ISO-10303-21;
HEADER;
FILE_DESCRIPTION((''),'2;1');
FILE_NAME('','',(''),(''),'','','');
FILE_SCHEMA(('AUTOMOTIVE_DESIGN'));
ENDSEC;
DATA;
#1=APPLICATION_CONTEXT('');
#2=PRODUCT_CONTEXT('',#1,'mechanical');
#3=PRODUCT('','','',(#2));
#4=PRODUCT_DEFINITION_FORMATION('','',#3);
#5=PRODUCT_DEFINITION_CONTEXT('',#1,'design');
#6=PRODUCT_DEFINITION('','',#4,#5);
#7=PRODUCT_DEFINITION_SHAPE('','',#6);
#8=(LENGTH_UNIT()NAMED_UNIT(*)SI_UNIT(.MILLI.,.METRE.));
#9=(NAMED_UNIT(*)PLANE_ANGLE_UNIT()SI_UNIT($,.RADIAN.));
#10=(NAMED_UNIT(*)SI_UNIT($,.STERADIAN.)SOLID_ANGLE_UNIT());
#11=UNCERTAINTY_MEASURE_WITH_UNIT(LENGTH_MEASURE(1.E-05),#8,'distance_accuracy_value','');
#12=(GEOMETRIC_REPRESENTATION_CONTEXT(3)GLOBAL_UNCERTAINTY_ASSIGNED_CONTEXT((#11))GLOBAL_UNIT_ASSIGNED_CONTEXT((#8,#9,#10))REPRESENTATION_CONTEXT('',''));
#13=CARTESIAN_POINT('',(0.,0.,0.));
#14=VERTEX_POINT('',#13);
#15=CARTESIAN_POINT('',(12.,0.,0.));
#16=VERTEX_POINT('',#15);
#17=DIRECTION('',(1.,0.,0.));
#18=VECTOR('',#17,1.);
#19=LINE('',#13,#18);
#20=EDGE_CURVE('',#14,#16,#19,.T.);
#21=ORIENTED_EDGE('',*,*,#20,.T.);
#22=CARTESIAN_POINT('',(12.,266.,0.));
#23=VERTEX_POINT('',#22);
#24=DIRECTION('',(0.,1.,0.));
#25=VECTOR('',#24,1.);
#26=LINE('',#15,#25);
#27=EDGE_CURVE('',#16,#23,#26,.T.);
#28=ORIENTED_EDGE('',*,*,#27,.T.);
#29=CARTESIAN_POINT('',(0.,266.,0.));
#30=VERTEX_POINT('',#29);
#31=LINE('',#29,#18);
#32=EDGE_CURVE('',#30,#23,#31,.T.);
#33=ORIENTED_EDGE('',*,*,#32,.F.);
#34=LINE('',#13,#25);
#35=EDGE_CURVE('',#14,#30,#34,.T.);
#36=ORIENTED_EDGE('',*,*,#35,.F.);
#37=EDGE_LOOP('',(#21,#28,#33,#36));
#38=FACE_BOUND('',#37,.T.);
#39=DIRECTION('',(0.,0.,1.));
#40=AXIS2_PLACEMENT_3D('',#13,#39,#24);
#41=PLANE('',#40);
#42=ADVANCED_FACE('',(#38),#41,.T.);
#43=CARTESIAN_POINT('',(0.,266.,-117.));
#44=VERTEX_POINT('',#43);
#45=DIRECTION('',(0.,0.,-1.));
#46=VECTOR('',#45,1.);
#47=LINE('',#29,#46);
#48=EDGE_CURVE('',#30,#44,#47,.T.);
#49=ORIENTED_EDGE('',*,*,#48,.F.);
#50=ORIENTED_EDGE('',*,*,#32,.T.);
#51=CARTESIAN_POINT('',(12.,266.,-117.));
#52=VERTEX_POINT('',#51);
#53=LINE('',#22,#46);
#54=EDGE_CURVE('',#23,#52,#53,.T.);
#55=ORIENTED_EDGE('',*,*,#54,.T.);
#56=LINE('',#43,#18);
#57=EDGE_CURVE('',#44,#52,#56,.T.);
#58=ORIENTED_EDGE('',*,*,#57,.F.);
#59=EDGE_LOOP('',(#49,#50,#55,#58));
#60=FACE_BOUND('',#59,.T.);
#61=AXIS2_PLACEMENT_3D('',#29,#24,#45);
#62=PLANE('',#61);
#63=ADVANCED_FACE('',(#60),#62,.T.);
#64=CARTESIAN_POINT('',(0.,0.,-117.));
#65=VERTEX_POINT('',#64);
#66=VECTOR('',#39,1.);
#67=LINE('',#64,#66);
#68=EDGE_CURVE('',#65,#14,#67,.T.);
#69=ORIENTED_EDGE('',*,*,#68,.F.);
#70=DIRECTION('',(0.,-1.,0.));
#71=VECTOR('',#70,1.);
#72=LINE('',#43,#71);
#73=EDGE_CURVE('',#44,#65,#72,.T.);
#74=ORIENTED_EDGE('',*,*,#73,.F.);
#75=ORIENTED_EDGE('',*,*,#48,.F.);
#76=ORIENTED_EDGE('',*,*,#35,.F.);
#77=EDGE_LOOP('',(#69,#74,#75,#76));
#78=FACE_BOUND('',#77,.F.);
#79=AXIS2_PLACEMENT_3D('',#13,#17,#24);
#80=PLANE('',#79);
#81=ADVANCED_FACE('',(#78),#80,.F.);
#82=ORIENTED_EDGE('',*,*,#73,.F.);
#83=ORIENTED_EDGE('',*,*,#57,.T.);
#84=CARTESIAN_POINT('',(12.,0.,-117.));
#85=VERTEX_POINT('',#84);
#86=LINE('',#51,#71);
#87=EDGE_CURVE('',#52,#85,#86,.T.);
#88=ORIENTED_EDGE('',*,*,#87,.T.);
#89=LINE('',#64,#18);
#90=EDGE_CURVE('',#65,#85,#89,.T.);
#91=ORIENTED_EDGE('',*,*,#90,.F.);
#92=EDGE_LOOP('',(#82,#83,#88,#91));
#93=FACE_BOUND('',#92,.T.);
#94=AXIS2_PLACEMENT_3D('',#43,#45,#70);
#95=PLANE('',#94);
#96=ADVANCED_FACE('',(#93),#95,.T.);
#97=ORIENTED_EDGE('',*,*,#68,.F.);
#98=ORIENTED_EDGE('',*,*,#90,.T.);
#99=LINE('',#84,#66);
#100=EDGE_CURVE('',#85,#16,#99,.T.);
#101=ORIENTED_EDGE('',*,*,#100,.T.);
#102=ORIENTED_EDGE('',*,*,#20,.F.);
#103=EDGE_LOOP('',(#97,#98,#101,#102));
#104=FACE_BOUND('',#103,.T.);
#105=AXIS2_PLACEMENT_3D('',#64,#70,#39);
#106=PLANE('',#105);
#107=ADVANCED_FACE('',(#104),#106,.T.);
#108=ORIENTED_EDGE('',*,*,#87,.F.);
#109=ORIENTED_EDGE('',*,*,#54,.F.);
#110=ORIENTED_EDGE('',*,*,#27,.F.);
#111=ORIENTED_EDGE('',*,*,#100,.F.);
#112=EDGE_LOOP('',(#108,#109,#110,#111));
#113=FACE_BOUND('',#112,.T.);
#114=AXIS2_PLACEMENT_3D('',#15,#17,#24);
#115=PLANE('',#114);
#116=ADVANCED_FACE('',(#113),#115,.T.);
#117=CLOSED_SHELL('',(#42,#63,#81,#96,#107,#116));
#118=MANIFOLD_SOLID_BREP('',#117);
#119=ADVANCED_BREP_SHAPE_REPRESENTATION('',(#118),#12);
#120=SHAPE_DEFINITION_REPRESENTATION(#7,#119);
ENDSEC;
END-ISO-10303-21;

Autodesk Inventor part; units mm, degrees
ref_plane "YZ Plane" through (0, 0, 0) normal (1, 0, 0) x (0, 1, 0)
ref_plane "XZ Plane" through (0, 0, 0) normal (0, 1, 0) x (-1, 0, 0)
ref_plane "XY Plane" through (0, 0, 0) normal (0, 0, 1) x (1, 0, 0)
sketch "Эскиз1" plane through (0, 0, 0) normal (1, 0, 0) x (0, 1, 0)
  line L0 (0, 0) -> (266, 0)
  line L1 (266, 0) -> (266, -117)
  line L2 (266, -117) -> (0, -117)
  line L3 (0, -117) -> (0, 0)
  dimension "d0" = 266
  dimension "d4" = 117
extrude "Выдавливание1" add sketch "Эскиз1" along normal blind 12
properties part number "side"
